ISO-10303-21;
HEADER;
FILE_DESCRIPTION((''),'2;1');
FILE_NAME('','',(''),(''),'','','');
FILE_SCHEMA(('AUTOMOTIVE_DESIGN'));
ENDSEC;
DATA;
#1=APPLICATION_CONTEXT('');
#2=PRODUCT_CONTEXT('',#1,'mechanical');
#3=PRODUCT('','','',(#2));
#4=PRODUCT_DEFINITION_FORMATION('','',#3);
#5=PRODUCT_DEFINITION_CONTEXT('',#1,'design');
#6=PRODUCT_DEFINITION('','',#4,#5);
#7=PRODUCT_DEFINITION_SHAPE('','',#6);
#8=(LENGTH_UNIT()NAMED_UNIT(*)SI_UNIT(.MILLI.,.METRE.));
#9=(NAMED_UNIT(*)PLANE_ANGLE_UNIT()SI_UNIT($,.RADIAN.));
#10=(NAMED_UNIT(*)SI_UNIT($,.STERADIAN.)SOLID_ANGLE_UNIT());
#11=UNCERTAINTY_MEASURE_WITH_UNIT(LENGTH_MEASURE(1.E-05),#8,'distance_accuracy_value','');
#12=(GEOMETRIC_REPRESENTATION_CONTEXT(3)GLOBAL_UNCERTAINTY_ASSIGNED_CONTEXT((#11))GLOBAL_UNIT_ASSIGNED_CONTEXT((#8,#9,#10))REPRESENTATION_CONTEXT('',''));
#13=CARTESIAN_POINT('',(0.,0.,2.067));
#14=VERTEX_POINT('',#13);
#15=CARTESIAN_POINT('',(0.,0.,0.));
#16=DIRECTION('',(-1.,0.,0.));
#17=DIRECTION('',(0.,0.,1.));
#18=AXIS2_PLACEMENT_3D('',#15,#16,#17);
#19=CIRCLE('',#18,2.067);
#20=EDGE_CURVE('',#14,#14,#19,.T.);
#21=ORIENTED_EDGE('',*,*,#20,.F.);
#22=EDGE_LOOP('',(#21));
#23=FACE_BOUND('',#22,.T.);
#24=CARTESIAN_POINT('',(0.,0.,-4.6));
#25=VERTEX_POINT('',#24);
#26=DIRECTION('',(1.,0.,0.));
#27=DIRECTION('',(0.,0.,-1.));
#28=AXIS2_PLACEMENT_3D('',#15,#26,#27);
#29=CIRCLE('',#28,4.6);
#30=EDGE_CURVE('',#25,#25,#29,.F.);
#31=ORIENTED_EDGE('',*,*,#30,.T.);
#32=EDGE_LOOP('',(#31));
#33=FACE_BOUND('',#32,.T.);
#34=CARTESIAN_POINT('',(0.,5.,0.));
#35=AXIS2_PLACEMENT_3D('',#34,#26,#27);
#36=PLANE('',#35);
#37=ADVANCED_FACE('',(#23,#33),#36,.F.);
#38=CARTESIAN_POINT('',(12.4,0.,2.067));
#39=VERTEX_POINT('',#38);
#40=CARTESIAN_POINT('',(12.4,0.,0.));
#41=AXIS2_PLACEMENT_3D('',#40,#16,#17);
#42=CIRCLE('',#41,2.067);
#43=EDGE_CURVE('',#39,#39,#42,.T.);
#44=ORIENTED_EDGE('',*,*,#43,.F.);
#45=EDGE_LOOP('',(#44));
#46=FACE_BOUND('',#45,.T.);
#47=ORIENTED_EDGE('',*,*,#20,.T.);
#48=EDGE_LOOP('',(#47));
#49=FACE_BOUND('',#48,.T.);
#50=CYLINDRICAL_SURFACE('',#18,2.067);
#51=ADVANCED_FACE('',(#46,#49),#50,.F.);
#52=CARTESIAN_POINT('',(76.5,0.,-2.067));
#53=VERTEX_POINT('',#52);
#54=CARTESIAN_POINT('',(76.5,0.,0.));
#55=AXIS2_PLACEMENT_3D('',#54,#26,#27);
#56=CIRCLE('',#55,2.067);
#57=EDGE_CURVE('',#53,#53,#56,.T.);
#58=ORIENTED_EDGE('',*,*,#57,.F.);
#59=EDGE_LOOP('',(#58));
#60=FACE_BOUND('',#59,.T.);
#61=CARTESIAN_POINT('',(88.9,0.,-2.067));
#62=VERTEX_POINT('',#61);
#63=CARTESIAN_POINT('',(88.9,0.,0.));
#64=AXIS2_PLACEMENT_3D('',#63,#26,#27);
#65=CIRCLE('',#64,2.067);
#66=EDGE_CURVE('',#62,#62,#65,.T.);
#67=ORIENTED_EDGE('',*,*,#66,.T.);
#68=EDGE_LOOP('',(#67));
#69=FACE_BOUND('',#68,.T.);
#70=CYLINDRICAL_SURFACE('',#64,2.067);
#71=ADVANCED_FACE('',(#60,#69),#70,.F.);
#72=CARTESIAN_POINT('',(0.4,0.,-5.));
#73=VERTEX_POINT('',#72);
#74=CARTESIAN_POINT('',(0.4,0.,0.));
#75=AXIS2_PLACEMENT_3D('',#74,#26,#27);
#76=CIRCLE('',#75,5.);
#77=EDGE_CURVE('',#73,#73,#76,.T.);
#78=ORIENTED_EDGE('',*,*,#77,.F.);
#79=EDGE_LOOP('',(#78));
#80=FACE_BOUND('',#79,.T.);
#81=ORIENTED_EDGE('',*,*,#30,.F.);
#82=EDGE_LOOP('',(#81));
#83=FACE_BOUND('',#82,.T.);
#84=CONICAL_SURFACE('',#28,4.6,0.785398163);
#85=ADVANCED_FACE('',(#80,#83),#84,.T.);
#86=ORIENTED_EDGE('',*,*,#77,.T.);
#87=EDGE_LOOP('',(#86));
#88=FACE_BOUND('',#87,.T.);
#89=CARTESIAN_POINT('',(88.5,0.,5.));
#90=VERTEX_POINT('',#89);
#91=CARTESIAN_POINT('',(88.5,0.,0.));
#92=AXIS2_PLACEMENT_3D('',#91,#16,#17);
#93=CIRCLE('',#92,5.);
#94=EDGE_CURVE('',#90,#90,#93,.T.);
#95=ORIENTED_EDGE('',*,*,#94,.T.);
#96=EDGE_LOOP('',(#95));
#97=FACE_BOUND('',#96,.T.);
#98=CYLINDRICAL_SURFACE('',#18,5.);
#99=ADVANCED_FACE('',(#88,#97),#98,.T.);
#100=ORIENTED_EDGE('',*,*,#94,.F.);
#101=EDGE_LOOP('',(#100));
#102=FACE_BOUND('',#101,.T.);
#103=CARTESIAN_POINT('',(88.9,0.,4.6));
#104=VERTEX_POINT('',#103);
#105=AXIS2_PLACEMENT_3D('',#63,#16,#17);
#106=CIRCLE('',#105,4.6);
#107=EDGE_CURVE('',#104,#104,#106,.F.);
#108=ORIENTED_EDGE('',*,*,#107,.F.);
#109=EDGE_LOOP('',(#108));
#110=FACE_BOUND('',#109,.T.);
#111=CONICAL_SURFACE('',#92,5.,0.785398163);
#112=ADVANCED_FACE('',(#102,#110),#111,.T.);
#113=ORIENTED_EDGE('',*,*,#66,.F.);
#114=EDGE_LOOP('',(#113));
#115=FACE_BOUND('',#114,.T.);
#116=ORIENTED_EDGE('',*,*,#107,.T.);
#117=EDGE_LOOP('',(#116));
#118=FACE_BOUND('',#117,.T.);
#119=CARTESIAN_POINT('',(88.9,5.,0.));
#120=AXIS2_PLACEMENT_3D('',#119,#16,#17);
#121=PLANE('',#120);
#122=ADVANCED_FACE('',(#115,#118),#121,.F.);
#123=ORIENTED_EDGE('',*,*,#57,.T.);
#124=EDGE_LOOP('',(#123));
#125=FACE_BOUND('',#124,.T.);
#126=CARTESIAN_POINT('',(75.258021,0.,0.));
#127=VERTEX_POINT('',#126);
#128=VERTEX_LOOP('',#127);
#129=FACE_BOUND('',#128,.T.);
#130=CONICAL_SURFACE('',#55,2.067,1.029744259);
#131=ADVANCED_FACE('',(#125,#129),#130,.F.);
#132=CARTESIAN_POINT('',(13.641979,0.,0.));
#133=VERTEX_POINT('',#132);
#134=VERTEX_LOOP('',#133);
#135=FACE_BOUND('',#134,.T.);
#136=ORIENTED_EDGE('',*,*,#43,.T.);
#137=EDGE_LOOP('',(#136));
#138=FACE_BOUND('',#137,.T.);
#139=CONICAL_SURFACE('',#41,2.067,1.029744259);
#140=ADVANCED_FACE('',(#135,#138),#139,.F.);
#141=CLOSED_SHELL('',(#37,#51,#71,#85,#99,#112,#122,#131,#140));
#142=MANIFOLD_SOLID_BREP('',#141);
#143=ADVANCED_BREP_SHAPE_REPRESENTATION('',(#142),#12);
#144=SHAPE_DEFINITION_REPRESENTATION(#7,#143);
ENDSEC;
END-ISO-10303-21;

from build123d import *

# Parameters (mm, degrees)
SKETCH1_W     = 88.9
SKETCH1_H     = 5
CHAMFER1_SIZE = 0.4
TAP4_D        = 4.134
TAP4_DEPTH    = 12.4
TAP4_TIP      = 1.2419789
TAP5_D        = 4.134
TAP5_DEPTH    = 12.4
TAP5_TIP      = 1.2419789


with BuildPart() as part:
    # Sketch1 → Revolve1 (revolve)
    with BuildSketch(Plane.XY):
        with Locations((44.45, 2.5)):
            Rectangle(SKETCH1_W, SKETCH1_H)
    revolve(axis=Axis((0, 0, 0), (1, 0, 0)))

    # Chamfer1
    chamfer1_edges = [part.edges().sort_by_distance(p)[0] for p in [
        (0, -5, 0),
        (88.9, -5, 0),
    ]]
    chamfer(chamfer1_edges, length=CHAMFER1_SIZE)

    # Tap4
    with Locations(Plane.ZY):
        with Locations((0, 0)):
            Hole(TAP4_D / 2, depth=TAP4_DEPTH)
            with Locations((0, 0, -(TAP4_DEPTH + TAP4_TIP / 2))):  # 118° drill point
                Cone(0, TAP4_D / 2, TAP4_TIP, mode=Mode.SUBTRACT)

    # Tap5
    with Locations(Plane(origin=(88.9, 0, 0), x_dir=(0, 0, -1), z_dir=(1, 0, 0))):
        with Locations((0, 0)):
            Hole(TAP5_D / 2, depth=TAP5_DEPTH)
            with Locations((0, 0, -(TAP5_DEPTH + TAP5_TIP / 2))):  # 118° drill point
                Cone(0, TAP5_D / 2, TAP5_TIP, mode=Mode.SUBTRACT)


solid = part.part
